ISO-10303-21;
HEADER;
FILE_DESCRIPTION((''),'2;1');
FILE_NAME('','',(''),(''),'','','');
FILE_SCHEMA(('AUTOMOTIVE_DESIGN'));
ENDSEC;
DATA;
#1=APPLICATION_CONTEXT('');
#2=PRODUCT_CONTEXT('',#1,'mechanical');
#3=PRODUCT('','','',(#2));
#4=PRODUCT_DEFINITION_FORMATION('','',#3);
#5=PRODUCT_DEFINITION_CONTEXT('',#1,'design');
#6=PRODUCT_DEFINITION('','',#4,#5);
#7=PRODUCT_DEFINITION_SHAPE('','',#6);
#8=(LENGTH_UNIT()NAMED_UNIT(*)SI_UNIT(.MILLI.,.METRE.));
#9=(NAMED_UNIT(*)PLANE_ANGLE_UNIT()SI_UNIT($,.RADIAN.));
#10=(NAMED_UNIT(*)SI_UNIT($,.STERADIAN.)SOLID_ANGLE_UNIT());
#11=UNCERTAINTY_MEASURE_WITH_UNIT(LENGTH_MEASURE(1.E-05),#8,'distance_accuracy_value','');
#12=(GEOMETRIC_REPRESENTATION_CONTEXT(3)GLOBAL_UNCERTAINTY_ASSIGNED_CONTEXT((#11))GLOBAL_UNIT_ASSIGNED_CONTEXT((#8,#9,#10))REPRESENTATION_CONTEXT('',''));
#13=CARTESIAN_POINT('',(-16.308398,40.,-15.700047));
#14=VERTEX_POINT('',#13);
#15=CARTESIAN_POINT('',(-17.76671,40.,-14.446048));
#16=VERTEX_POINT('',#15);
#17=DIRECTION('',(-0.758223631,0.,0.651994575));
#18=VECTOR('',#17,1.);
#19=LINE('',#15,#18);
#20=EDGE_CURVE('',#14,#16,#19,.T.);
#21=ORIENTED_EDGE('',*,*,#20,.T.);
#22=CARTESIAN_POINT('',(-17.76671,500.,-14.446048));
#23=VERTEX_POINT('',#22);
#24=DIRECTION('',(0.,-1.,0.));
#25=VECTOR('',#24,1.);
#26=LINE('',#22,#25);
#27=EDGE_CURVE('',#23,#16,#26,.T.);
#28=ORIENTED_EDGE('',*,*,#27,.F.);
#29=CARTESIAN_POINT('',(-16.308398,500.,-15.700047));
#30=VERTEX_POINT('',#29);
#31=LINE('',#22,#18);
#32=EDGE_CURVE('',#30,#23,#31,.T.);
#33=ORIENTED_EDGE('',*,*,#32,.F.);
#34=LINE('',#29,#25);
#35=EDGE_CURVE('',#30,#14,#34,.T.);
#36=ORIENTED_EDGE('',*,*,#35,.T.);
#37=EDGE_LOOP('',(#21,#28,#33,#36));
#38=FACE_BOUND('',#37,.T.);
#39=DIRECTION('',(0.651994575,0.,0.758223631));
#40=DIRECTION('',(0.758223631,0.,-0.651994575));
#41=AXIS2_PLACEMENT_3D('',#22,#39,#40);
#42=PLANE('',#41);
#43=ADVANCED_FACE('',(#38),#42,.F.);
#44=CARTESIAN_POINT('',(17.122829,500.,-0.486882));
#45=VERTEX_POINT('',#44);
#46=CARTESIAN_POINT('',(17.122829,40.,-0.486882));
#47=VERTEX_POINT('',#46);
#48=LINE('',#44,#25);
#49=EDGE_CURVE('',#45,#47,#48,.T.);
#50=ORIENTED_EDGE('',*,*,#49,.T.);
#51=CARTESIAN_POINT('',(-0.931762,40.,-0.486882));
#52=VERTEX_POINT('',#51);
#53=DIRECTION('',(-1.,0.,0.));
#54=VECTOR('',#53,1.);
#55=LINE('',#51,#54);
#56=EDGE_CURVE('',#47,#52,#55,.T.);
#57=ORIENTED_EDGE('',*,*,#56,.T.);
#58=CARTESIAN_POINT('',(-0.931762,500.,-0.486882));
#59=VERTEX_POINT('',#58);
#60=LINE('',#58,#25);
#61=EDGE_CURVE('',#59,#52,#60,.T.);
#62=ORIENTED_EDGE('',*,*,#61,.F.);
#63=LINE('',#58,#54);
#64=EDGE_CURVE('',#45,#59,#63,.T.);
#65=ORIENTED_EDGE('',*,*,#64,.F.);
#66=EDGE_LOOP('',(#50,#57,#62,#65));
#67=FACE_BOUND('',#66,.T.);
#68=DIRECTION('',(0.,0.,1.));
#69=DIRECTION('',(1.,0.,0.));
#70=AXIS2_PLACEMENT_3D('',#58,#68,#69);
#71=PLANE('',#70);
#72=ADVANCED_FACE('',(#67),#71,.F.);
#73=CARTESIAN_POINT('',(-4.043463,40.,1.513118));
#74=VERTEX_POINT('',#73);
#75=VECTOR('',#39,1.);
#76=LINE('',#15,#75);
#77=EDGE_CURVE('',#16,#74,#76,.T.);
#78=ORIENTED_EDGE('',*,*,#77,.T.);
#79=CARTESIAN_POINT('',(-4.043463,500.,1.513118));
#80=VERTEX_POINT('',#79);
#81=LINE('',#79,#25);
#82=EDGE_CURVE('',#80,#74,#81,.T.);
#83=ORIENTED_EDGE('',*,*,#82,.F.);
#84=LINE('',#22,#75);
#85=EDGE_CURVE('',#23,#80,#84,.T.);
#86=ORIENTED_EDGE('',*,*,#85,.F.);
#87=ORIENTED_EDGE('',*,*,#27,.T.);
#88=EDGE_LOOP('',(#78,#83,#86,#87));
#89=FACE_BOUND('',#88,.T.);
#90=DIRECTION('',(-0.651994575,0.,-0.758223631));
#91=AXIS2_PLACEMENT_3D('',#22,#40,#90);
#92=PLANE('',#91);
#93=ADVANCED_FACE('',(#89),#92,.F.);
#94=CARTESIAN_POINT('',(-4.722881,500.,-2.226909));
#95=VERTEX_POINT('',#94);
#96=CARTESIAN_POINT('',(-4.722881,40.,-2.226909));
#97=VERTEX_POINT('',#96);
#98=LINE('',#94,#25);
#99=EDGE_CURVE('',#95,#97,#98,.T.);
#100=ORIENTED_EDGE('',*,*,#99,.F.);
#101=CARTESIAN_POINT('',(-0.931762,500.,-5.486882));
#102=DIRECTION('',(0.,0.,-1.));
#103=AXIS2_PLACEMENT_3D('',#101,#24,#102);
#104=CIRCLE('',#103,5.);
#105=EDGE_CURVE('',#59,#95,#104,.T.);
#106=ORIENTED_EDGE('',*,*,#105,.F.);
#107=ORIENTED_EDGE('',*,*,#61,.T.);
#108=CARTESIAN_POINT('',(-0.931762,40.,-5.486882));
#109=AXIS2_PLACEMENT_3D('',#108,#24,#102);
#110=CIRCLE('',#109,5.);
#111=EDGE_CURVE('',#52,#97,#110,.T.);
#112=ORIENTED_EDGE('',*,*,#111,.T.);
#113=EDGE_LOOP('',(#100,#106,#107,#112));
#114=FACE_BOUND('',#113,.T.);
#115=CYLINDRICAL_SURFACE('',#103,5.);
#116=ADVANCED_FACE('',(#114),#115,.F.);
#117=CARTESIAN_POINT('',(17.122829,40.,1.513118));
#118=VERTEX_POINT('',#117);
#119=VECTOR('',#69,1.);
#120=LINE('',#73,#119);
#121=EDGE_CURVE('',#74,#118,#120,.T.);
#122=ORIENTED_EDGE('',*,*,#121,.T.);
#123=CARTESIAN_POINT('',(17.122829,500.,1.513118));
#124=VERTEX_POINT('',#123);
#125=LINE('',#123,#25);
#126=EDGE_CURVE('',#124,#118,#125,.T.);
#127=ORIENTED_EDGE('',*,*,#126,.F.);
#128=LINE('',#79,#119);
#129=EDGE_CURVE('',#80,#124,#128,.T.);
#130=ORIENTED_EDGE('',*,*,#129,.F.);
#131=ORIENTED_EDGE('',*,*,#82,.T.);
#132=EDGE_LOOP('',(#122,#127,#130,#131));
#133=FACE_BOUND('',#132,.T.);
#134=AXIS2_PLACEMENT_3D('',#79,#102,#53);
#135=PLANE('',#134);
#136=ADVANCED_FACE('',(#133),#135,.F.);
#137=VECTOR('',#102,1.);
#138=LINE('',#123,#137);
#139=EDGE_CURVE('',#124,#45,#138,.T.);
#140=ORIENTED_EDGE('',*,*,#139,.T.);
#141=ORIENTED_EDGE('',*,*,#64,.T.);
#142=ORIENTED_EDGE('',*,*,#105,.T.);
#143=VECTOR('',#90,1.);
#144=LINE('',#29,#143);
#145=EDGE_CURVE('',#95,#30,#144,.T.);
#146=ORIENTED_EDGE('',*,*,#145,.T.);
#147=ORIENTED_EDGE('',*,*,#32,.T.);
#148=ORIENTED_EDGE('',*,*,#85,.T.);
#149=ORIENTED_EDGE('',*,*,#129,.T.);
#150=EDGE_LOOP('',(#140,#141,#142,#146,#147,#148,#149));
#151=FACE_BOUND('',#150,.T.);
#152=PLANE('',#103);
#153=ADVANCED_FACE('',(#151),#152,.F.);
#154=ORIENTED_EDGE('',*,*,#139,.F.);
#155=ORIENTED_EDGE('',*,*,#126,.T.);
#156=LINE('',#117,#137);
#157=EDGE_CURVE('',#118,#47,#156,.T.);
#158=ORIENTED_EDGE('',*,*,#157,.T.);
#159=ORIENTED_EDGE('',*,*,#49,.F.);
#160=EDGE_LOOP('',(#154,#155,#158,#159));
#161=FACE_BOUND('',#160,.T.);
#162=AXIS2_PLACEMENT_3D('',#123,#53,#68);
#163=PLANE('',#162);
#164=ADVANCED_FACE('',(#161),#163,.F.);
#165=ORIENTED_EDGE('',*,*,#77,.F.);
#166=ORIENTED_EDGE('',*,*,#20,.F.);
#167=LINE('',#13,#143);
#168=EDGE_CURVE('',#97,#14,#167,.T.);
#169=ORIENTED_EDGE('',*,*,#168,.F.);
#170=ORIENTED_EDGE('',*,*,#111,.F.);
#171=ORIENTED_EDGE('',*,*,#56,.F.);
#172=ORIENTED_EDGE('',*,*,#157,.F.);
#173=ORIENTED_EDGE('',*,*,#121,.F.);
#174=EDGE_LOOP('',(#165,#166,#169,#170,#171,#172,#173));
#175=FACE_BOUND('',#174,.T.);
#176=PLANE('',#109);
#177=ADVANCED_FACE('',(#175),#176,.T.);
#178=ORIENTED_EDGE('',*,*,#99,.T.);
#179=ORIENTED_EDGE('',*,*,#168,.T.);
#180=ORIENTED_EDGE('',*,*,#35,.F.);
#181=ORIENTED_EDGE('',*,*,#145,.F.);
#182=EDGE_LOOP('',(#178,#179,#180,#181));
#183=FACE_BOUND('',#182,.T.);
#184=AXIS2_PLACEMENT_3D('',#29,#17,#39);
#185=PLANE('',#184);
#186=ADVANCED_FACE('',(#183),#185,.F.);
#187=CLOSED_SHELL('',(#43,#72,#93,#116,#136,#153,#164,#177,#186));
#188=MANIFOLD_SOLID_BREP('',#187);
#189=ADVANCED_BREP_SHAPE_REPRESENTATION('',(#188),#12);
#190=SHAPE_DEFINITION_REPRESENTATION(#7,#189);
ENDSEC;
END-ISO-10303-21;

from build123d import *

# Parameters (mm, degrees)
EXTRUDE_START   = 40
EXTRUDE_1_DEPTH = 460


with BuildPart() as part:
    # Эскиз1 → Вытянуть1 (new body)
    with BuildSketch(Plane(origin=(0, 0, 0), x_dir=(1, 0, 0), z_dir=(0, 1, 0)).offset(EXTRUDE_START)):
        with BuildLine():
            Line((-17.766709847, 14.4460477), (-16.308397656, 15.700046652))
            Line((-16.308397656, 15.700046652), (-4.722880617, 2.226908794))
            ThreePointArc((-4.722880617, 2.226908794), (-3.017444081, 0.942662024), (-0.931762463, 0.48688167))
            Line((-0.931762463, 0.48688167), (17.122829042, 0.48688167))
            Line((17.122829042, 0.48688167), (17.122829042, -1.51311833))
            Line((17.122829042, -1.51311833), (-4.043463493, -1.51311833))
            Line((-4.043463493, -1.51311833), (-17.766709847, 14.4460477))
        make_face()
    extrude(amount=EXTRUDE_1_DEPTH)


solid = part.part
